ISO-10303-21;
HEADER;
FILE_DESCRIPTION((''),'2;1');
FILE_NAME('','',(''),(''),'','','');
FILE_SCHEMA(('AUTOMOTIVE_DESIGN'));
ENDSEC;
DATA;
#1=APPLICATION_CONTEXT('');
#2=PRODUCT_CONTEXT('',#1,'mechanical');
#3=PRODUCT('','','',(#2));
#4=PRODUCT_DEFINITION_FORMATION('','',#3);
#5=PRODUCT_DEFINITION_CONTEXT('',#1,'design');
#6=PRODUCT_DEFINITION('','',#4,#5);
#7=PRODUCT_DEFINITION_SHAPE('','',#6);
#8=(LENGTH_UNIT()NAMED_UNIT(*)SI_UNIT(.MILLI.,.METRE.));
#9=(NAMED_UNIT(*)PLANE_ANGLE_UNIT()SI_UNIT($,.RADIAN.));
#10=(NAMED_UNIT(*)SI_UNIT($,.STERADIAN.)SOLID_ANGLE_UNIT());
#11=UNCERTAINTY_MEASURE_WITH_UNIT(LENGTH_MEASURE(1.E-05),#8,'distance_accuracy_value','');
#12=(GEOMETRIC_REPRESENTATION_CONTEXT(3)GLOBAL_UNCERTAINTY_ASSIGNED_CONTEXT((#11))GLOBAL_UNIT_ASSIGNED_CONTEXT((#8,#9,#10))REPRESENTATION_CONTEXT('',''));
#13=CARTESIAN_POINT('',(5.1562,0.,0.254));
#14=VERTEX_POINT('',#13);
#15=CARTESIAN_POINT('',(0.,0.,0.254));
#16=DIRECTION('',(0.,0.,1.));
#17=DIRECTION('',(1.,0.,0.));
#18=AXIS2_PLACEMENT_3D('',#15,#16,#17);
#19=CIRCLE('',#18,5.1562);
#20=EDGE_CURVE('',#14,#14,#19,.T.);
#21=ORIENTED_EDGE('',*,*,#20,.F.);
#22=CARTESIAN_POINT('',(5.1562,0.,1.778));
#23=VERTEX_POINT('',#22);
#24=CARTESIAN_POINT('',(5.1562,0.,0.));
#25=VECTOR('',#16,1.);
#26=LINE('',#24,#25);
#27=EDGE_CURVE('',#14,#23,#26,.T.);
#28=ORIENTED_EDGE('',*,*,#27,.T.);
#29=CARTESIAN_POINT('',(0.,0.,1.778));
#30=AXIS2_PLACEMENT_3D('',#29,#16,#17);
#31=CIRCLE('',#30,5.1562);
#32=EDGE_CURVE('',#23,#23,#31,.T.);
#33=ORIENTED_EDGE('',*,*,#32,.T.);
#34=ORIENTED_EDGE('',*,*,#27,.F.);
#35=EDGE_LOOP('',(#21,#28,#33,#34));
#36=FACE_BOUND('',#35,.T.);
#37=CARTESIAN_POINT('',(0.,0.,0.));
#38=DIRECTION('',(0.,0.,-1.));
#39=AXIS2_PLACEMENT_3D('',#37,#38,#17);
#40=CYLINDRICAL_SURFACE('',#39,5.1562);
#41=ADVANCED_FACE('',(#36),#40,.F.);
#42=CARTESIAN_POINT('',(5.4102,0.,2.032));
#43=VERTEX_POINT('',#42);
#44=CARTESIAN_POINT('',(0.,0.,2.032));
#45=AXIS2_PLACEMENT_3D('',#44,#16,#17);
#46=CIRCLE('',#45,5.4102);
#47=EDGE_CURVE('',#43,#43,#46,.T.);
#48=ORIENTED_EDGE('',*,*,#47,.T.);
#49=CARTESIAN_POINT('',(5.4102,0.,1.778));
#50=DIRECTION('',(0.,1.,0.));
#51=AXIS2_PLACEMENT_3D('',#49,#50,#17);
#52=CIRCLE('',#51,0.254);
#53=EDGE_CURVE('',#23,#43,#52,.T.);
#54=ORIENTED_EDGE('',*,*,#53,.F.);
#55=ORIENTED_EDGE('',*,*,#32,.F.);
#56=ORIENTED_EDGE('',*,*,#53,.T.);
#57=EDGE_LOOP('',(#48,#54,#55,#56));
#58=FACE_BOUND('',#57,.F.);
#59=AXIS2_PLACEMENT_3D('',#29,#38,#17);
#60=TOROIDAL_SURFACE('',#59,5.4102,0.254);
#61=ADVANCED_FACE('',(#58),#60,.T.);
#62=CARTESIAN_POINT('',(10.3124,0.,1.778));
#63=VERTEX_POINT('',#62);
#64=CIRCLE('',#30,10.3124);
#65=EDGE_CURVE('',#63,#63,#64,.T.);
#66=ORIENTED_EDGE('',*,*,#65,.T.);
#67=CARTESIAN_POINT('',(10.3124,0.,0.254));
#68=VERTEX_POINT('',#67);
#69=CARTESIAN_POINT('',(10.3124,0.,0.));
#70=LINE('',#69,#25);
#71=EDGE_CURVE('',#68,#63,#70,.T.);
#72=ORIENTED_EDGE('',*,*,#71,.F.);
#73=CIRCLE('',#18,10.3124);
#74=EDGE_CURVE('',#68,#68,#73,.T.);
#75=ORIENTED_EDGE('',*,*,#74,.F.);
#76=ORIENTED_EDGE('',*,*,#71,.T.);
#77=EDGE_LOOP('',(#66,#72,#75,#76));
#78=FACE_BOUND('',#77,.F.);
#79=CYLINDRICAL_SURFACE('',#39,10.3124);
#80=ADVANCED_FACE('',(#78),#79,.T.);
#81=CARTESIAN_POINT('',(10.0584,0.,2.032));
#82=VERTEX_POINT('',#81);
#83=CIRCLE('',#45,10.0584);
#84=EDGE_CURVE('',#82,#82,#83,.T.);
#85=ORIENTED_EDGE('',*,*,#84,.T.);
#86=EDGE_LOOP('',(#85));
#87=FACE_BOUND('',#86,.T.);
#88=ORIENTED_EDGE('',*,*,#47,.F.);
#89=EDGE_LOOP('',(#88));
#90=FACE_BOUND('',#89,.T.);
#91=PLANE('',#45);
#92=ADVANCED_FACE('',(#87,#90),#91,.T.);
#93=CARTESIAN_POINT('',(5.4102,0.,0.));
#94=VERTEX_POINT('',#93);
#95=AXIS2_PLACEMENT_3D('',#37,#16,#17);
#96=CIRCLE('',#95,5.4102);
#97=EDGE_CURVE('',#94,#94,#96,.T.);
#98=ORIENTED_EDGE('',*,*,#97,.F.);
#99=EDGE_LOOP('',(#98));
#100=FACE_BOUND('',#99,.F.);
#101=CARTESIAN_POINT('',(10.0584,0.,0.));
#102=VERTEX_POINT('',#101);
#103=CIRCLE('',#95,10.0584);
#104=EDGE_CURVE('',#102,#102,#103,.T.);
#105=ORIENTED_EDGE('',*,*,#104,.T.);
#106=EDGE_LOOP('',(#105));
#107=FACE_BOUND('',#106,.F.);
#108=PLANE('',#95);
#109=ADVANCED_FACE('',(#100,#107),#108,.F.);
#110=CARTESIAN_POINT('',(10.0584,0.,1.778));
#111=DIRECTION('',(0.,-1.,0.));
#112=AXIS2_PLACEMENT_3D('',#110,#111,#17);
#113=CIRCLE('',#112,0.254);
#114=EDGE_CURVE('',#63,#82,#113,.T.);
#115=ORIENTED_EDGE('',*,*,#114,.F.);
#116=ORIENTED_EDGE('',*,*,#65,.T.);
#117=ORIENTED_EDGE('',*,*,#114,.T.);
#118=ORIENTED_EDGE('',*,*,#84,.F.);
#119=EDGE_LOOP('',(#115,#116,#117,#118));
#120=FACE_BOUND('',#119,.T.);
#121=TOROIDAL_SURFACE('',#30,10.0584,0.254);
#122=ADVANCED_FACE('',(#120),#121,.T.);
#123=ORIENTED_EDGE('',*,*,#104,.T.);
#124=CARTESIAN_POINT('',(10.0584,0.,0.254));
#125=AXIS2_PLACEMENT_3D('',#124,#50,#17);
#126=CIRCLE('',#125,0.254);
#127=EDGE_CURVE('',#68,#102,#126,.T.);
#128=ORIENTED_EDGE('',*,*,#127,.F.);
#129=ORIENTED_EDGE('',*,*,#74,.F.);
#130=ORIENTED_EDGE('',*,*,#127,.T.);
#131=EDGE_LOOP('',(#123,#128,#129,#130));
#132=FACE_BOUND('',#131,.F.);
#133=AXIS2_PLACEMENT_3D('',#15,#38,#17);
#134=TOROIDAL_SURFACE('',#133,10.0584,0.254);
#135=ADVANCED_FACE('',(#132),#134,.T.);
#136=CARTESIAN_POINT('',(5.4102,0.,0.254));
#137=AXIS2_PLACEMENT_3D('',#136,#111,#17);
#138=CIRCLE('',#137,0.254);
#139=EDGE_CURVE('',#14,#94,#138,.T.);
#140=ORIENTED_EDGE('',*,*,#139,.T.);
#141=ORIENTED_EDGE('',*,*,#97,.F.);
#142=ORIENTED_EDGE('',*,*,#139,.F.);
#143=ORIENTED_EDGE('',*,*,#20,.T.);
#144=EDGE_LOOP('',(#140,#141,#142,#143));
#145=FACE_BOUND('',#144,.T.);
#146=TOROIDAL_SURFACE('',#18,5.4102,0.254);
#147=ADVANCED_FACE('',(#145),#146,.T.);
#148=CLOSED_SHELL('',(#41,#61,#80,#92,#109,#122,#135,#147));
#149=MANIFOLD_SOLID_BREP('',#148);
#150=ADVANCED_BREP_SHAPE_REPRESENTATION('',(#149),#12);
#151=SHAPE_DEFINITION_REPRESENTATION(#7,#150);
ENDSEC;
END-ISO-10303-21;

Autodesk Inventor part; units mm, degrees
ref_plane "YZ Plane" through (0, 0, 0) normal (1, 0, 0) x (0, 1, 0)
ref_plane "XZ Plane" through (0, 0, 0) normal (0, 1, 0) x (-1, 0, 0)
ref_plane "XY Plane" through (0, 0, 0) normal (0, 0, 1) x (1, 0, 0)
sketch "Sketch1" plane through (0, 0, 0) normal (0, 0, 1) x (1, 0, 0)
  circle A0 centre (0, 0) radius 5.1562
  circle A1 centre (0, 0) radius 10.3124
  dimension "d0" = 10.3124
  dimension "d1" = 20.6248
extrude "Extrusion1" add sketch "Sketch1" along normal blind 2.032
fillet "Fillet1" radius 0.254 4 edges at (-10.3124, 0, 2.032) (-5.1562, 0, 2.032) (-10.3124, 0, 0) (-5.1562, 0, 0)
properties part number "375 washer 080 thick" material "Steel"
